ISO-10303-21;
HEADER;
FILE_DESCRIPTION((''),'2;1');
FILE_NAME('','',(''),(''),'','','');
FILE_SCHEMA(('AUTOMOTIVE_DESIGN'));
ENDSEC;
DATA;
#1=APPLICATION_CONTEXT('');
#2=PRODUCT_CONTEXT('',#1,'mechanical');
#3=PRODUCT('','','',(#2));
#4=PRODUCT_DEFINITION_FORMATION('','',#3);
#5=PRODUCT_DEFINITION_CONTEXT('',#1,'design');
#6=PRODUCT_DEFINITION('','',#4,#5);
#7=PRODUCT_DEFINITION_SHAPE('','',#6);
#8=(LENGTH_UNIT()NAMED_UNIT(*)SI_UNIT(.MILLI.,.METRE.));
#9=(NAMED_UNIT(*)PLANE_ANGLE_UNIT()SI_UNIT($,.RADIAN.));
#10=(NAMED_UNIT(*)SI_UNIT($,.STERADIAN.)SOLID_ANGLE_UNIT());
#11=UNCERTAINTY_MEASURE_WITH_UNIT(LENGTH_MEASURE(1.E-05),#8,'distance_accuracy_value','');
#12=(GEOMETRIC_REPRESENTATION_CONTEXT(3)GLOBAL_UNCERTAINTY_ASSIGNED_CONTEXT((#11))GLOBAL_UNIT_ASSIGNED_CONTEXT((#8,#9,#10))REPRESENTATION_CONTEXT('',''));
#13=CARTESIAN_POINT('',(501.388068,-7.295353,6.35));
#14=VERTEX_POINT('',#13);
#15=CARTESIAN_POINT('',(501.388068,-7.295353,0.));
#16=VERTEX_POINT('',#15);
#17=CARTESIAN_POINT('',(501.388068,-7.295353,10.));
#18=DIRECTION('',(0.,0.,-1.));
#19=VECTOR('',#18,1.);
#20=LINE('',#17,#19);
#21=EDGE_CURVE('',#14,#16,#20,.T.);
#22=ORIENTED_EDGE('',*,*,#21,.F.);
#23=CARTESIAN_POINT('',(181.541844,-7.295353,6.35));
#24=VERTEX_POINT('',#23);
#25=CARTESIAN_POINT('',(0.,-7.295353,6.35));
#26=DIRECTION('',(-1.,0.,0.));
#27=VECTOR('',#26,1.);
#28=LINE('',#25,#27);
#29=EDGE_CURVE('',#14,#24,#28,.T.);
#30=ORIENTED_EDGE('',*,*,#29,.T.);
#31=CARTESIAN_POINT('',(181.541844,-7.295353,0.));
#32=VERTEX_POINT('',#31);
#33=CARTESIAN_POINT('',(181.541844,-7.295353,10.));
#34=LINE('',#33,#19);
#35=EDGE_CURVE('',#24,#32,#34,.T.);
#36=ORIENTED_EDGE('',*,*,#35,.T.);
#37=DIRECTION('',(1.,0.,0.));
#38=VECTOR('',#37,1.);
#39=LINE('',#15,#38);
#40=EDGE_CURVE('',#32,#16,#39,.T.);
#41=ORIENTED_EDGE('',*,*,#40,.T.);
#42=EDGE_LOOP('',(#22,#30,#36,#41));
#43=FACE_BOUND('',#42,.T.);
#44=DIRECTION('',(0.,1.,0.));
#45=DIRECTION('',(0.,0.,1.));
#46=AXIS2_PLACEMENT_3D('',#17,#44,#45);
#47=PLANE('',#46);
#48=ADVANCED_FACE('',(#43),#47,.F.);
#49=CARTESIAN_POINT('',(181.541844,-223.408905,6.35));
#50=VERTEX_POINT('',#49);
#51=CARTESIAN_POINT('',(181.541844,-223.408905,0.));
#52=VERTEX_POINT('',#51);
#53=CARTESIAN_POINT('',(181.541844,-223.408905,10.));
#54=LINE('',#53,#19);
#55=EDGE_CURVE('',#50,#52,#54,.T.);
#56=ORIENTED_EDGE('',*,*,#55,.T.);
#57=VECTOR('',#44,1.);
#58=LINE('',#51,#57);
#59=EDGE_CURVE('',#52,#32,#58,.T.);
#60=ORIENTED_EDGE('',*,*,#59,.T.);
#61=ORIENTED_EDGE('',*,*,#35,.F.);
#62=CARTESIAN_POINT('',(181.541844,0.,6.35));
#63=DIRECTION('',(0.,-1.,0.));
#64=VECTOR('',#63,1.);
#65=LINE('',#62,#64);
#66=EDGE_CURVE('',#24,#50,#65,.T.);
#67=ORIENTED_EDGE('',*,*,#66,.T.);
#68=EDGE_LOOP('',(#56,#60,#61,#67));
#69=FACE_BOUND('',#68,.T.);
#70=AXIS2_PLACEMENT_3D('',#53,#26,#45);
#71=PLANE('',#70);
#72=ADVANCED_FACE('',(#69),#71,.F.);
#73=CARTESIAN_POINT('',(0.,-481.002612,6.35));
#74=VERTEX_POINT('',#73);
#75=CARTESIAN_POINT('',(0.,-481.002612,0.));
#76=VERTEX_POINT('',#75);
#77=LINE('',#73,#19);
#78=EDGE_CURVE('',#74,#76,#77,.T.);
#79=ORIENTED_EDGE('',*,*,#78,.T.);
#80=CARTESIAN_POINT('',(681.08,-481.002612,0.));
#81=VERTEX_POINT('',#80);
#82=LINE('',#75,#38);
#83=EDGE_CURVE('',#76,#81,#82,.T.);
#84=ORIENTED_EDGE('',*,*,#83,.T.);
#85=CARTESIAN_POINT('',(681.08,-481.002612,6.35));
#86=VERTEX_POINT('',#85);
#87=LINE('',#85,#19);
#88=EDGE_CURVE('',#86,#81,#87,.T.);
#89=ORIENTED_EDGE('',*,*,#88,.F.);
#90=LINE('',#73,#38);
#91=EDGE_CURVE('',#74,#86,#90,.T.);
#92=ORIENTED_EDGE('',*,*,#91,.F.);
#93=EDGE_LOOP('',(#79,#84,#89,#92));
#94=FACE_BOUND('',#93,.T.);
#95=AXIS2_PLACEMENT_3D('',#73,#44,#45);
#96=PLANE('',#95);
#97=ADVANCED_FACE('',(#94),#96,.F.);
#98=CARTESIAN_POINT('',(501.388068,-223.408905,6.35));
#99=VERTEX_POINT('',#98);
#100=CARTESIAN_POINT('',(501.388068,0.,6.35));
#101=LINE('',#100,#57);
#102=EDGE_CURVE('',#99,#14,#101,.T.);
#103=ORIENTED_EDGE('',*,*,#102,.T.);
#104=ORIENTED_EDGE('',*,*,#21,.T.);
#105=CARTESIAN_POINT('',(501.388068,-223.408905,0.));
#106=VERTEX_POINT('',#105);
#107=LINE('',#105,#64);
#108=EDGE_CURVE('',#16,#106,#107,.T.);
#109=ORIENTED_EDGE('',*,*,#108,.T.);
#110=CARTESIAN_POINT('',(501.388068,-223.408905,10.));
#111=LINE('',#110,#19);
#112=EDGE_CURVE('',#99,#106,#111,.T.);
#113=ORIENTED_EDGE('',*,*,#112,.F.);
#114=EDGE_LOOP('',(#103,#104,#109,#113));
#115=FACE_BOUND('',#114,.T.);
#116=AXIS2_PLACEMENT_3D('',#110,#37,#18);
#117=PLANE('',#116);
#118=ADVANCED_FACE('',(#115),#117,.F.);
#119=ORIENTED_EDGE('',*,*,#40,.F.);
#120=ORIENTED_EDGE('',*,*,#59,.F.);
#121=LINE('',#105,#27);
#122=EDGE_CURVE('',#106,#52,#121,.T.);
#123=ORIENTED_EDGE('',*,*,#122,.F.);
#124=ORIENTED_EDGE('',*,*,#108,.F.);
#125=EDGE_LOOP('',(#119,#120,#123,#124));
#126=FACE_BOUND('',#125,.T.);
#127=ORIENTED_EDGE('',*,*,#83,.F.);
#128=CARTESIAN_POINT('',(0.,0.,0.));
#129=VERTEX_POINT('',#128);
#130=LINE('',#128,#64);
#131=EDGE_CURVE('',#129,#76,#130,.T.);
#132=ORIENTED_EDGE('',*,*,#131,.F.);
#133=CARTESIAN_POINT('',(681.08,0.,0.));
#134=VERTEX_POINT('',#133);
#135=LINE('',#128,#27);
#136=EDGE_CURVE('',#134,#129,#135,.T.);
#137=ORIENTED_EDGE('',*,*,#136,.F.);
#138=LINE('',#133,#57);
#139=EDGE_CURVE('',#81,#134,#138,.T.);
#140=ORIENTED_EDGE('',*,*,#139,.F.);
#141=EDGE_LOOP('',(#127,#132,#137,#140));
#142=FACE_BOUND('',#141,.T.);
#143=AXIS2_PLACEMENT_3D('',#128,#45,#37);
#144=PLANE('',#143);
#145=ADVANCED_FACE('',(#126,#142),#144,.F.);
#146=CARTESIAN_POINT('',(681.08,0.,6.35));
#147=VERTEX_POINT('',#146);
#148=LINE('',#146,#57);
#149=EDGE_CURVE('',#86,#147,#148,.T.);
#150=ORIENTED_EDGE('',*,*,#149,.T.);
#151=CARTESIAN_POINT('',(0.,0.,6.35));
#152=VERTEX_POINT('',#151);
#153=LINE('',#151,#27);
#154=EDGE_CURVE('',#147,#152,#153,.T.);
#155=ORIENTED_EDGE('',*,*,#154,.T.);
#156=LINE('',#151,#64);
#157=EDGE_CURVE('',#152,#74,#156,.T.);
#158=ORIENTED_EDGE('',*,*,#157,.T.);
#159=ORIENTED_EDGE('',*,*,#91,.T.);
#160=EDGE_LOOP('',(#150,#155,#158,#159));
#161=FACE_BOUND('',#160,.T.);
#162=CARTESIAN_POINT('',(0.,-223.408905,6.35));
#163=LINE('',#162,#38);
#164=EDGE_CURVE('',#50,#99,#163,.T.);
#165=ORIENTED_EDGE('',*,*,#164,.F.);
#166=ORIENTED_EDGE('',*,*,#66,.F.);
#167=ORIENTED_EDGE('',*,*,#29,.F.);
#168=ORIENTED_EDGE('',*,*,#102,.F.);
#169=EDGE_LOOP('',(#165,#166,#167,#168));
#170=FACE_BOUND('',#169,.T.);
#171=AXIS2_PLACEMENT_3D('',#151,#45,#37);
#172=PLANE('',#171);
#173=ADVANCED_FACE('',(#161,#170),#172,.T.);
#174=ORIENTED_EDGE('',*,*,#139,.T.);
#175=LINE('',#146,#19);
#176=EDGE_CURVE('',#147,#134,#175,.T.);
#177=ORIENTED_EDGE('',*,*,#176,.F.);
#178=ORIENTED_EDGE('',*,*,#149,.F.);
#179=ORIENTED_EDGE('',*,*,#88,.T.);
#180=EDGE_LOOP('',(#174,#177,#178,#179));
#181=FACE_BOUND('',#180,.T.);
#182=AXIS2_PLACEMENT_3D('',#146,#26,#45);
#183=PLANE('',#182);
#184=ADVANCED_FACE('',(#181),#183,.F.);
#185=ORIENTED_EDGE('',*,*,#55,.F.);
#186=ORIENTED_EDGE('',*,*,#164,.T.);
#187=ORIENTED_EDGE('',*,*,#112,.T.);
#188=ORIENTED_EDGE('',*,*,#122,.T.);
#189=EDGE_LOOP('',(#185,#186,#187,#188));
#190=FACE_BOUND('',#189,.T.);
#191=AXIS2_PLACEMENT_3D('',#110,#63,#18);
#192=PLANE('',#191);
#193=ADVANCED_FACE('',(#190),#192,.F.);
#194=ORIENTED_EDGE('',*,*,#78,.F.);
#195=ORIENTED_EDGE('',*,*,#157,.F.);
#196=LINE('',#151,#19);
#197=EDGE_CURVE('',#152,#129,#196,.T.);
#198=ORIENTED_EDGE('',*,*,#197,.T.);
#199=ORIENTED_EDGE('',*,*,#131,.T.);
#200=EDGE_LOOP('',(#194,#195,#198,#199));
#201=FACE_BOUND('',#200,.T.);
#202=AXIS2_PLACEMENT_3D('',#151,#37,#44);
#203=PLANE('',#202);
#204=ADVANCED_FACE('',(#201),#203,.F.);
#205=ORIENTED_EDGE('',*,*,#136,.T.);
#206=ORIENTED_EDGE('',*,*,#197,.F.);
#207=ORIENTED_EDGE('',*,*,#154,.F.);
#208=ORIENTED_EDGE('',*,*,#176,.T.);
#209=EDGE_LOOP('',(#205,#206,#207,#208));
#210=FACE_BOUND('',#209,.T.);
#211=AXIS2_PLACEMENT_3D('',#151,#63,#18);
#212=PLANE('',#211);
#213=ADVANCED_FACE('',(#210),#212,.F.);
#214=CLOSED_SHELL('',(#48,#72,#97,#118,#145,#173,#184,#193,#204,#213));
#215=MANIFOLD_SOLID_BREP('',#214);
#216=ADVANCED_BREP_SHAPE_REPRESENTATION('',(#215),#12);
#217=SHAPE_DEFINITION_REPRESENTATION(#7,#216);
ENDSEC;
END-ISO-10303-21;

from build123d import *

# Parameters (mm, degrees)
SKETCH1_W           = 681.08
SKETCH1_H           = 481.00261168
BOSS_EXTRUDE1_DEPTH = 6.35
SKETCH2_W           = 319.846223413
SKETCH2_H           = 216.113551909
CUT_EXTRUDE1_DEPTH  = 10


with BuildPart() as part:
    # Sketch1 → Boss-Extrude1 (new body)
    with BuildSketch(Plane.XY):
        with Locations((340.54, -240.50130584)):
            Rectangle(SKETCH1_W, SKETCH1_H)
    extrude(amount=BOSS_EXTRUDE1_DEPTH)

    # Sketch2 → Cut-Extrude1 (cut)
    with BuildSketch(Plane(origin=(0, 0, 0), x_dir=(-1, 0, 0), z_dir=(0, 0, -1))):
        with Locations((-341.464956121, -115.352129436)):
            Rectangle(SKETCH2_W, SKETCH2_H)
    extrude(amount=-CUT_EXTRUDE1_DEPTH, mode=Mode.SUBTRACT)


solid = part.part
